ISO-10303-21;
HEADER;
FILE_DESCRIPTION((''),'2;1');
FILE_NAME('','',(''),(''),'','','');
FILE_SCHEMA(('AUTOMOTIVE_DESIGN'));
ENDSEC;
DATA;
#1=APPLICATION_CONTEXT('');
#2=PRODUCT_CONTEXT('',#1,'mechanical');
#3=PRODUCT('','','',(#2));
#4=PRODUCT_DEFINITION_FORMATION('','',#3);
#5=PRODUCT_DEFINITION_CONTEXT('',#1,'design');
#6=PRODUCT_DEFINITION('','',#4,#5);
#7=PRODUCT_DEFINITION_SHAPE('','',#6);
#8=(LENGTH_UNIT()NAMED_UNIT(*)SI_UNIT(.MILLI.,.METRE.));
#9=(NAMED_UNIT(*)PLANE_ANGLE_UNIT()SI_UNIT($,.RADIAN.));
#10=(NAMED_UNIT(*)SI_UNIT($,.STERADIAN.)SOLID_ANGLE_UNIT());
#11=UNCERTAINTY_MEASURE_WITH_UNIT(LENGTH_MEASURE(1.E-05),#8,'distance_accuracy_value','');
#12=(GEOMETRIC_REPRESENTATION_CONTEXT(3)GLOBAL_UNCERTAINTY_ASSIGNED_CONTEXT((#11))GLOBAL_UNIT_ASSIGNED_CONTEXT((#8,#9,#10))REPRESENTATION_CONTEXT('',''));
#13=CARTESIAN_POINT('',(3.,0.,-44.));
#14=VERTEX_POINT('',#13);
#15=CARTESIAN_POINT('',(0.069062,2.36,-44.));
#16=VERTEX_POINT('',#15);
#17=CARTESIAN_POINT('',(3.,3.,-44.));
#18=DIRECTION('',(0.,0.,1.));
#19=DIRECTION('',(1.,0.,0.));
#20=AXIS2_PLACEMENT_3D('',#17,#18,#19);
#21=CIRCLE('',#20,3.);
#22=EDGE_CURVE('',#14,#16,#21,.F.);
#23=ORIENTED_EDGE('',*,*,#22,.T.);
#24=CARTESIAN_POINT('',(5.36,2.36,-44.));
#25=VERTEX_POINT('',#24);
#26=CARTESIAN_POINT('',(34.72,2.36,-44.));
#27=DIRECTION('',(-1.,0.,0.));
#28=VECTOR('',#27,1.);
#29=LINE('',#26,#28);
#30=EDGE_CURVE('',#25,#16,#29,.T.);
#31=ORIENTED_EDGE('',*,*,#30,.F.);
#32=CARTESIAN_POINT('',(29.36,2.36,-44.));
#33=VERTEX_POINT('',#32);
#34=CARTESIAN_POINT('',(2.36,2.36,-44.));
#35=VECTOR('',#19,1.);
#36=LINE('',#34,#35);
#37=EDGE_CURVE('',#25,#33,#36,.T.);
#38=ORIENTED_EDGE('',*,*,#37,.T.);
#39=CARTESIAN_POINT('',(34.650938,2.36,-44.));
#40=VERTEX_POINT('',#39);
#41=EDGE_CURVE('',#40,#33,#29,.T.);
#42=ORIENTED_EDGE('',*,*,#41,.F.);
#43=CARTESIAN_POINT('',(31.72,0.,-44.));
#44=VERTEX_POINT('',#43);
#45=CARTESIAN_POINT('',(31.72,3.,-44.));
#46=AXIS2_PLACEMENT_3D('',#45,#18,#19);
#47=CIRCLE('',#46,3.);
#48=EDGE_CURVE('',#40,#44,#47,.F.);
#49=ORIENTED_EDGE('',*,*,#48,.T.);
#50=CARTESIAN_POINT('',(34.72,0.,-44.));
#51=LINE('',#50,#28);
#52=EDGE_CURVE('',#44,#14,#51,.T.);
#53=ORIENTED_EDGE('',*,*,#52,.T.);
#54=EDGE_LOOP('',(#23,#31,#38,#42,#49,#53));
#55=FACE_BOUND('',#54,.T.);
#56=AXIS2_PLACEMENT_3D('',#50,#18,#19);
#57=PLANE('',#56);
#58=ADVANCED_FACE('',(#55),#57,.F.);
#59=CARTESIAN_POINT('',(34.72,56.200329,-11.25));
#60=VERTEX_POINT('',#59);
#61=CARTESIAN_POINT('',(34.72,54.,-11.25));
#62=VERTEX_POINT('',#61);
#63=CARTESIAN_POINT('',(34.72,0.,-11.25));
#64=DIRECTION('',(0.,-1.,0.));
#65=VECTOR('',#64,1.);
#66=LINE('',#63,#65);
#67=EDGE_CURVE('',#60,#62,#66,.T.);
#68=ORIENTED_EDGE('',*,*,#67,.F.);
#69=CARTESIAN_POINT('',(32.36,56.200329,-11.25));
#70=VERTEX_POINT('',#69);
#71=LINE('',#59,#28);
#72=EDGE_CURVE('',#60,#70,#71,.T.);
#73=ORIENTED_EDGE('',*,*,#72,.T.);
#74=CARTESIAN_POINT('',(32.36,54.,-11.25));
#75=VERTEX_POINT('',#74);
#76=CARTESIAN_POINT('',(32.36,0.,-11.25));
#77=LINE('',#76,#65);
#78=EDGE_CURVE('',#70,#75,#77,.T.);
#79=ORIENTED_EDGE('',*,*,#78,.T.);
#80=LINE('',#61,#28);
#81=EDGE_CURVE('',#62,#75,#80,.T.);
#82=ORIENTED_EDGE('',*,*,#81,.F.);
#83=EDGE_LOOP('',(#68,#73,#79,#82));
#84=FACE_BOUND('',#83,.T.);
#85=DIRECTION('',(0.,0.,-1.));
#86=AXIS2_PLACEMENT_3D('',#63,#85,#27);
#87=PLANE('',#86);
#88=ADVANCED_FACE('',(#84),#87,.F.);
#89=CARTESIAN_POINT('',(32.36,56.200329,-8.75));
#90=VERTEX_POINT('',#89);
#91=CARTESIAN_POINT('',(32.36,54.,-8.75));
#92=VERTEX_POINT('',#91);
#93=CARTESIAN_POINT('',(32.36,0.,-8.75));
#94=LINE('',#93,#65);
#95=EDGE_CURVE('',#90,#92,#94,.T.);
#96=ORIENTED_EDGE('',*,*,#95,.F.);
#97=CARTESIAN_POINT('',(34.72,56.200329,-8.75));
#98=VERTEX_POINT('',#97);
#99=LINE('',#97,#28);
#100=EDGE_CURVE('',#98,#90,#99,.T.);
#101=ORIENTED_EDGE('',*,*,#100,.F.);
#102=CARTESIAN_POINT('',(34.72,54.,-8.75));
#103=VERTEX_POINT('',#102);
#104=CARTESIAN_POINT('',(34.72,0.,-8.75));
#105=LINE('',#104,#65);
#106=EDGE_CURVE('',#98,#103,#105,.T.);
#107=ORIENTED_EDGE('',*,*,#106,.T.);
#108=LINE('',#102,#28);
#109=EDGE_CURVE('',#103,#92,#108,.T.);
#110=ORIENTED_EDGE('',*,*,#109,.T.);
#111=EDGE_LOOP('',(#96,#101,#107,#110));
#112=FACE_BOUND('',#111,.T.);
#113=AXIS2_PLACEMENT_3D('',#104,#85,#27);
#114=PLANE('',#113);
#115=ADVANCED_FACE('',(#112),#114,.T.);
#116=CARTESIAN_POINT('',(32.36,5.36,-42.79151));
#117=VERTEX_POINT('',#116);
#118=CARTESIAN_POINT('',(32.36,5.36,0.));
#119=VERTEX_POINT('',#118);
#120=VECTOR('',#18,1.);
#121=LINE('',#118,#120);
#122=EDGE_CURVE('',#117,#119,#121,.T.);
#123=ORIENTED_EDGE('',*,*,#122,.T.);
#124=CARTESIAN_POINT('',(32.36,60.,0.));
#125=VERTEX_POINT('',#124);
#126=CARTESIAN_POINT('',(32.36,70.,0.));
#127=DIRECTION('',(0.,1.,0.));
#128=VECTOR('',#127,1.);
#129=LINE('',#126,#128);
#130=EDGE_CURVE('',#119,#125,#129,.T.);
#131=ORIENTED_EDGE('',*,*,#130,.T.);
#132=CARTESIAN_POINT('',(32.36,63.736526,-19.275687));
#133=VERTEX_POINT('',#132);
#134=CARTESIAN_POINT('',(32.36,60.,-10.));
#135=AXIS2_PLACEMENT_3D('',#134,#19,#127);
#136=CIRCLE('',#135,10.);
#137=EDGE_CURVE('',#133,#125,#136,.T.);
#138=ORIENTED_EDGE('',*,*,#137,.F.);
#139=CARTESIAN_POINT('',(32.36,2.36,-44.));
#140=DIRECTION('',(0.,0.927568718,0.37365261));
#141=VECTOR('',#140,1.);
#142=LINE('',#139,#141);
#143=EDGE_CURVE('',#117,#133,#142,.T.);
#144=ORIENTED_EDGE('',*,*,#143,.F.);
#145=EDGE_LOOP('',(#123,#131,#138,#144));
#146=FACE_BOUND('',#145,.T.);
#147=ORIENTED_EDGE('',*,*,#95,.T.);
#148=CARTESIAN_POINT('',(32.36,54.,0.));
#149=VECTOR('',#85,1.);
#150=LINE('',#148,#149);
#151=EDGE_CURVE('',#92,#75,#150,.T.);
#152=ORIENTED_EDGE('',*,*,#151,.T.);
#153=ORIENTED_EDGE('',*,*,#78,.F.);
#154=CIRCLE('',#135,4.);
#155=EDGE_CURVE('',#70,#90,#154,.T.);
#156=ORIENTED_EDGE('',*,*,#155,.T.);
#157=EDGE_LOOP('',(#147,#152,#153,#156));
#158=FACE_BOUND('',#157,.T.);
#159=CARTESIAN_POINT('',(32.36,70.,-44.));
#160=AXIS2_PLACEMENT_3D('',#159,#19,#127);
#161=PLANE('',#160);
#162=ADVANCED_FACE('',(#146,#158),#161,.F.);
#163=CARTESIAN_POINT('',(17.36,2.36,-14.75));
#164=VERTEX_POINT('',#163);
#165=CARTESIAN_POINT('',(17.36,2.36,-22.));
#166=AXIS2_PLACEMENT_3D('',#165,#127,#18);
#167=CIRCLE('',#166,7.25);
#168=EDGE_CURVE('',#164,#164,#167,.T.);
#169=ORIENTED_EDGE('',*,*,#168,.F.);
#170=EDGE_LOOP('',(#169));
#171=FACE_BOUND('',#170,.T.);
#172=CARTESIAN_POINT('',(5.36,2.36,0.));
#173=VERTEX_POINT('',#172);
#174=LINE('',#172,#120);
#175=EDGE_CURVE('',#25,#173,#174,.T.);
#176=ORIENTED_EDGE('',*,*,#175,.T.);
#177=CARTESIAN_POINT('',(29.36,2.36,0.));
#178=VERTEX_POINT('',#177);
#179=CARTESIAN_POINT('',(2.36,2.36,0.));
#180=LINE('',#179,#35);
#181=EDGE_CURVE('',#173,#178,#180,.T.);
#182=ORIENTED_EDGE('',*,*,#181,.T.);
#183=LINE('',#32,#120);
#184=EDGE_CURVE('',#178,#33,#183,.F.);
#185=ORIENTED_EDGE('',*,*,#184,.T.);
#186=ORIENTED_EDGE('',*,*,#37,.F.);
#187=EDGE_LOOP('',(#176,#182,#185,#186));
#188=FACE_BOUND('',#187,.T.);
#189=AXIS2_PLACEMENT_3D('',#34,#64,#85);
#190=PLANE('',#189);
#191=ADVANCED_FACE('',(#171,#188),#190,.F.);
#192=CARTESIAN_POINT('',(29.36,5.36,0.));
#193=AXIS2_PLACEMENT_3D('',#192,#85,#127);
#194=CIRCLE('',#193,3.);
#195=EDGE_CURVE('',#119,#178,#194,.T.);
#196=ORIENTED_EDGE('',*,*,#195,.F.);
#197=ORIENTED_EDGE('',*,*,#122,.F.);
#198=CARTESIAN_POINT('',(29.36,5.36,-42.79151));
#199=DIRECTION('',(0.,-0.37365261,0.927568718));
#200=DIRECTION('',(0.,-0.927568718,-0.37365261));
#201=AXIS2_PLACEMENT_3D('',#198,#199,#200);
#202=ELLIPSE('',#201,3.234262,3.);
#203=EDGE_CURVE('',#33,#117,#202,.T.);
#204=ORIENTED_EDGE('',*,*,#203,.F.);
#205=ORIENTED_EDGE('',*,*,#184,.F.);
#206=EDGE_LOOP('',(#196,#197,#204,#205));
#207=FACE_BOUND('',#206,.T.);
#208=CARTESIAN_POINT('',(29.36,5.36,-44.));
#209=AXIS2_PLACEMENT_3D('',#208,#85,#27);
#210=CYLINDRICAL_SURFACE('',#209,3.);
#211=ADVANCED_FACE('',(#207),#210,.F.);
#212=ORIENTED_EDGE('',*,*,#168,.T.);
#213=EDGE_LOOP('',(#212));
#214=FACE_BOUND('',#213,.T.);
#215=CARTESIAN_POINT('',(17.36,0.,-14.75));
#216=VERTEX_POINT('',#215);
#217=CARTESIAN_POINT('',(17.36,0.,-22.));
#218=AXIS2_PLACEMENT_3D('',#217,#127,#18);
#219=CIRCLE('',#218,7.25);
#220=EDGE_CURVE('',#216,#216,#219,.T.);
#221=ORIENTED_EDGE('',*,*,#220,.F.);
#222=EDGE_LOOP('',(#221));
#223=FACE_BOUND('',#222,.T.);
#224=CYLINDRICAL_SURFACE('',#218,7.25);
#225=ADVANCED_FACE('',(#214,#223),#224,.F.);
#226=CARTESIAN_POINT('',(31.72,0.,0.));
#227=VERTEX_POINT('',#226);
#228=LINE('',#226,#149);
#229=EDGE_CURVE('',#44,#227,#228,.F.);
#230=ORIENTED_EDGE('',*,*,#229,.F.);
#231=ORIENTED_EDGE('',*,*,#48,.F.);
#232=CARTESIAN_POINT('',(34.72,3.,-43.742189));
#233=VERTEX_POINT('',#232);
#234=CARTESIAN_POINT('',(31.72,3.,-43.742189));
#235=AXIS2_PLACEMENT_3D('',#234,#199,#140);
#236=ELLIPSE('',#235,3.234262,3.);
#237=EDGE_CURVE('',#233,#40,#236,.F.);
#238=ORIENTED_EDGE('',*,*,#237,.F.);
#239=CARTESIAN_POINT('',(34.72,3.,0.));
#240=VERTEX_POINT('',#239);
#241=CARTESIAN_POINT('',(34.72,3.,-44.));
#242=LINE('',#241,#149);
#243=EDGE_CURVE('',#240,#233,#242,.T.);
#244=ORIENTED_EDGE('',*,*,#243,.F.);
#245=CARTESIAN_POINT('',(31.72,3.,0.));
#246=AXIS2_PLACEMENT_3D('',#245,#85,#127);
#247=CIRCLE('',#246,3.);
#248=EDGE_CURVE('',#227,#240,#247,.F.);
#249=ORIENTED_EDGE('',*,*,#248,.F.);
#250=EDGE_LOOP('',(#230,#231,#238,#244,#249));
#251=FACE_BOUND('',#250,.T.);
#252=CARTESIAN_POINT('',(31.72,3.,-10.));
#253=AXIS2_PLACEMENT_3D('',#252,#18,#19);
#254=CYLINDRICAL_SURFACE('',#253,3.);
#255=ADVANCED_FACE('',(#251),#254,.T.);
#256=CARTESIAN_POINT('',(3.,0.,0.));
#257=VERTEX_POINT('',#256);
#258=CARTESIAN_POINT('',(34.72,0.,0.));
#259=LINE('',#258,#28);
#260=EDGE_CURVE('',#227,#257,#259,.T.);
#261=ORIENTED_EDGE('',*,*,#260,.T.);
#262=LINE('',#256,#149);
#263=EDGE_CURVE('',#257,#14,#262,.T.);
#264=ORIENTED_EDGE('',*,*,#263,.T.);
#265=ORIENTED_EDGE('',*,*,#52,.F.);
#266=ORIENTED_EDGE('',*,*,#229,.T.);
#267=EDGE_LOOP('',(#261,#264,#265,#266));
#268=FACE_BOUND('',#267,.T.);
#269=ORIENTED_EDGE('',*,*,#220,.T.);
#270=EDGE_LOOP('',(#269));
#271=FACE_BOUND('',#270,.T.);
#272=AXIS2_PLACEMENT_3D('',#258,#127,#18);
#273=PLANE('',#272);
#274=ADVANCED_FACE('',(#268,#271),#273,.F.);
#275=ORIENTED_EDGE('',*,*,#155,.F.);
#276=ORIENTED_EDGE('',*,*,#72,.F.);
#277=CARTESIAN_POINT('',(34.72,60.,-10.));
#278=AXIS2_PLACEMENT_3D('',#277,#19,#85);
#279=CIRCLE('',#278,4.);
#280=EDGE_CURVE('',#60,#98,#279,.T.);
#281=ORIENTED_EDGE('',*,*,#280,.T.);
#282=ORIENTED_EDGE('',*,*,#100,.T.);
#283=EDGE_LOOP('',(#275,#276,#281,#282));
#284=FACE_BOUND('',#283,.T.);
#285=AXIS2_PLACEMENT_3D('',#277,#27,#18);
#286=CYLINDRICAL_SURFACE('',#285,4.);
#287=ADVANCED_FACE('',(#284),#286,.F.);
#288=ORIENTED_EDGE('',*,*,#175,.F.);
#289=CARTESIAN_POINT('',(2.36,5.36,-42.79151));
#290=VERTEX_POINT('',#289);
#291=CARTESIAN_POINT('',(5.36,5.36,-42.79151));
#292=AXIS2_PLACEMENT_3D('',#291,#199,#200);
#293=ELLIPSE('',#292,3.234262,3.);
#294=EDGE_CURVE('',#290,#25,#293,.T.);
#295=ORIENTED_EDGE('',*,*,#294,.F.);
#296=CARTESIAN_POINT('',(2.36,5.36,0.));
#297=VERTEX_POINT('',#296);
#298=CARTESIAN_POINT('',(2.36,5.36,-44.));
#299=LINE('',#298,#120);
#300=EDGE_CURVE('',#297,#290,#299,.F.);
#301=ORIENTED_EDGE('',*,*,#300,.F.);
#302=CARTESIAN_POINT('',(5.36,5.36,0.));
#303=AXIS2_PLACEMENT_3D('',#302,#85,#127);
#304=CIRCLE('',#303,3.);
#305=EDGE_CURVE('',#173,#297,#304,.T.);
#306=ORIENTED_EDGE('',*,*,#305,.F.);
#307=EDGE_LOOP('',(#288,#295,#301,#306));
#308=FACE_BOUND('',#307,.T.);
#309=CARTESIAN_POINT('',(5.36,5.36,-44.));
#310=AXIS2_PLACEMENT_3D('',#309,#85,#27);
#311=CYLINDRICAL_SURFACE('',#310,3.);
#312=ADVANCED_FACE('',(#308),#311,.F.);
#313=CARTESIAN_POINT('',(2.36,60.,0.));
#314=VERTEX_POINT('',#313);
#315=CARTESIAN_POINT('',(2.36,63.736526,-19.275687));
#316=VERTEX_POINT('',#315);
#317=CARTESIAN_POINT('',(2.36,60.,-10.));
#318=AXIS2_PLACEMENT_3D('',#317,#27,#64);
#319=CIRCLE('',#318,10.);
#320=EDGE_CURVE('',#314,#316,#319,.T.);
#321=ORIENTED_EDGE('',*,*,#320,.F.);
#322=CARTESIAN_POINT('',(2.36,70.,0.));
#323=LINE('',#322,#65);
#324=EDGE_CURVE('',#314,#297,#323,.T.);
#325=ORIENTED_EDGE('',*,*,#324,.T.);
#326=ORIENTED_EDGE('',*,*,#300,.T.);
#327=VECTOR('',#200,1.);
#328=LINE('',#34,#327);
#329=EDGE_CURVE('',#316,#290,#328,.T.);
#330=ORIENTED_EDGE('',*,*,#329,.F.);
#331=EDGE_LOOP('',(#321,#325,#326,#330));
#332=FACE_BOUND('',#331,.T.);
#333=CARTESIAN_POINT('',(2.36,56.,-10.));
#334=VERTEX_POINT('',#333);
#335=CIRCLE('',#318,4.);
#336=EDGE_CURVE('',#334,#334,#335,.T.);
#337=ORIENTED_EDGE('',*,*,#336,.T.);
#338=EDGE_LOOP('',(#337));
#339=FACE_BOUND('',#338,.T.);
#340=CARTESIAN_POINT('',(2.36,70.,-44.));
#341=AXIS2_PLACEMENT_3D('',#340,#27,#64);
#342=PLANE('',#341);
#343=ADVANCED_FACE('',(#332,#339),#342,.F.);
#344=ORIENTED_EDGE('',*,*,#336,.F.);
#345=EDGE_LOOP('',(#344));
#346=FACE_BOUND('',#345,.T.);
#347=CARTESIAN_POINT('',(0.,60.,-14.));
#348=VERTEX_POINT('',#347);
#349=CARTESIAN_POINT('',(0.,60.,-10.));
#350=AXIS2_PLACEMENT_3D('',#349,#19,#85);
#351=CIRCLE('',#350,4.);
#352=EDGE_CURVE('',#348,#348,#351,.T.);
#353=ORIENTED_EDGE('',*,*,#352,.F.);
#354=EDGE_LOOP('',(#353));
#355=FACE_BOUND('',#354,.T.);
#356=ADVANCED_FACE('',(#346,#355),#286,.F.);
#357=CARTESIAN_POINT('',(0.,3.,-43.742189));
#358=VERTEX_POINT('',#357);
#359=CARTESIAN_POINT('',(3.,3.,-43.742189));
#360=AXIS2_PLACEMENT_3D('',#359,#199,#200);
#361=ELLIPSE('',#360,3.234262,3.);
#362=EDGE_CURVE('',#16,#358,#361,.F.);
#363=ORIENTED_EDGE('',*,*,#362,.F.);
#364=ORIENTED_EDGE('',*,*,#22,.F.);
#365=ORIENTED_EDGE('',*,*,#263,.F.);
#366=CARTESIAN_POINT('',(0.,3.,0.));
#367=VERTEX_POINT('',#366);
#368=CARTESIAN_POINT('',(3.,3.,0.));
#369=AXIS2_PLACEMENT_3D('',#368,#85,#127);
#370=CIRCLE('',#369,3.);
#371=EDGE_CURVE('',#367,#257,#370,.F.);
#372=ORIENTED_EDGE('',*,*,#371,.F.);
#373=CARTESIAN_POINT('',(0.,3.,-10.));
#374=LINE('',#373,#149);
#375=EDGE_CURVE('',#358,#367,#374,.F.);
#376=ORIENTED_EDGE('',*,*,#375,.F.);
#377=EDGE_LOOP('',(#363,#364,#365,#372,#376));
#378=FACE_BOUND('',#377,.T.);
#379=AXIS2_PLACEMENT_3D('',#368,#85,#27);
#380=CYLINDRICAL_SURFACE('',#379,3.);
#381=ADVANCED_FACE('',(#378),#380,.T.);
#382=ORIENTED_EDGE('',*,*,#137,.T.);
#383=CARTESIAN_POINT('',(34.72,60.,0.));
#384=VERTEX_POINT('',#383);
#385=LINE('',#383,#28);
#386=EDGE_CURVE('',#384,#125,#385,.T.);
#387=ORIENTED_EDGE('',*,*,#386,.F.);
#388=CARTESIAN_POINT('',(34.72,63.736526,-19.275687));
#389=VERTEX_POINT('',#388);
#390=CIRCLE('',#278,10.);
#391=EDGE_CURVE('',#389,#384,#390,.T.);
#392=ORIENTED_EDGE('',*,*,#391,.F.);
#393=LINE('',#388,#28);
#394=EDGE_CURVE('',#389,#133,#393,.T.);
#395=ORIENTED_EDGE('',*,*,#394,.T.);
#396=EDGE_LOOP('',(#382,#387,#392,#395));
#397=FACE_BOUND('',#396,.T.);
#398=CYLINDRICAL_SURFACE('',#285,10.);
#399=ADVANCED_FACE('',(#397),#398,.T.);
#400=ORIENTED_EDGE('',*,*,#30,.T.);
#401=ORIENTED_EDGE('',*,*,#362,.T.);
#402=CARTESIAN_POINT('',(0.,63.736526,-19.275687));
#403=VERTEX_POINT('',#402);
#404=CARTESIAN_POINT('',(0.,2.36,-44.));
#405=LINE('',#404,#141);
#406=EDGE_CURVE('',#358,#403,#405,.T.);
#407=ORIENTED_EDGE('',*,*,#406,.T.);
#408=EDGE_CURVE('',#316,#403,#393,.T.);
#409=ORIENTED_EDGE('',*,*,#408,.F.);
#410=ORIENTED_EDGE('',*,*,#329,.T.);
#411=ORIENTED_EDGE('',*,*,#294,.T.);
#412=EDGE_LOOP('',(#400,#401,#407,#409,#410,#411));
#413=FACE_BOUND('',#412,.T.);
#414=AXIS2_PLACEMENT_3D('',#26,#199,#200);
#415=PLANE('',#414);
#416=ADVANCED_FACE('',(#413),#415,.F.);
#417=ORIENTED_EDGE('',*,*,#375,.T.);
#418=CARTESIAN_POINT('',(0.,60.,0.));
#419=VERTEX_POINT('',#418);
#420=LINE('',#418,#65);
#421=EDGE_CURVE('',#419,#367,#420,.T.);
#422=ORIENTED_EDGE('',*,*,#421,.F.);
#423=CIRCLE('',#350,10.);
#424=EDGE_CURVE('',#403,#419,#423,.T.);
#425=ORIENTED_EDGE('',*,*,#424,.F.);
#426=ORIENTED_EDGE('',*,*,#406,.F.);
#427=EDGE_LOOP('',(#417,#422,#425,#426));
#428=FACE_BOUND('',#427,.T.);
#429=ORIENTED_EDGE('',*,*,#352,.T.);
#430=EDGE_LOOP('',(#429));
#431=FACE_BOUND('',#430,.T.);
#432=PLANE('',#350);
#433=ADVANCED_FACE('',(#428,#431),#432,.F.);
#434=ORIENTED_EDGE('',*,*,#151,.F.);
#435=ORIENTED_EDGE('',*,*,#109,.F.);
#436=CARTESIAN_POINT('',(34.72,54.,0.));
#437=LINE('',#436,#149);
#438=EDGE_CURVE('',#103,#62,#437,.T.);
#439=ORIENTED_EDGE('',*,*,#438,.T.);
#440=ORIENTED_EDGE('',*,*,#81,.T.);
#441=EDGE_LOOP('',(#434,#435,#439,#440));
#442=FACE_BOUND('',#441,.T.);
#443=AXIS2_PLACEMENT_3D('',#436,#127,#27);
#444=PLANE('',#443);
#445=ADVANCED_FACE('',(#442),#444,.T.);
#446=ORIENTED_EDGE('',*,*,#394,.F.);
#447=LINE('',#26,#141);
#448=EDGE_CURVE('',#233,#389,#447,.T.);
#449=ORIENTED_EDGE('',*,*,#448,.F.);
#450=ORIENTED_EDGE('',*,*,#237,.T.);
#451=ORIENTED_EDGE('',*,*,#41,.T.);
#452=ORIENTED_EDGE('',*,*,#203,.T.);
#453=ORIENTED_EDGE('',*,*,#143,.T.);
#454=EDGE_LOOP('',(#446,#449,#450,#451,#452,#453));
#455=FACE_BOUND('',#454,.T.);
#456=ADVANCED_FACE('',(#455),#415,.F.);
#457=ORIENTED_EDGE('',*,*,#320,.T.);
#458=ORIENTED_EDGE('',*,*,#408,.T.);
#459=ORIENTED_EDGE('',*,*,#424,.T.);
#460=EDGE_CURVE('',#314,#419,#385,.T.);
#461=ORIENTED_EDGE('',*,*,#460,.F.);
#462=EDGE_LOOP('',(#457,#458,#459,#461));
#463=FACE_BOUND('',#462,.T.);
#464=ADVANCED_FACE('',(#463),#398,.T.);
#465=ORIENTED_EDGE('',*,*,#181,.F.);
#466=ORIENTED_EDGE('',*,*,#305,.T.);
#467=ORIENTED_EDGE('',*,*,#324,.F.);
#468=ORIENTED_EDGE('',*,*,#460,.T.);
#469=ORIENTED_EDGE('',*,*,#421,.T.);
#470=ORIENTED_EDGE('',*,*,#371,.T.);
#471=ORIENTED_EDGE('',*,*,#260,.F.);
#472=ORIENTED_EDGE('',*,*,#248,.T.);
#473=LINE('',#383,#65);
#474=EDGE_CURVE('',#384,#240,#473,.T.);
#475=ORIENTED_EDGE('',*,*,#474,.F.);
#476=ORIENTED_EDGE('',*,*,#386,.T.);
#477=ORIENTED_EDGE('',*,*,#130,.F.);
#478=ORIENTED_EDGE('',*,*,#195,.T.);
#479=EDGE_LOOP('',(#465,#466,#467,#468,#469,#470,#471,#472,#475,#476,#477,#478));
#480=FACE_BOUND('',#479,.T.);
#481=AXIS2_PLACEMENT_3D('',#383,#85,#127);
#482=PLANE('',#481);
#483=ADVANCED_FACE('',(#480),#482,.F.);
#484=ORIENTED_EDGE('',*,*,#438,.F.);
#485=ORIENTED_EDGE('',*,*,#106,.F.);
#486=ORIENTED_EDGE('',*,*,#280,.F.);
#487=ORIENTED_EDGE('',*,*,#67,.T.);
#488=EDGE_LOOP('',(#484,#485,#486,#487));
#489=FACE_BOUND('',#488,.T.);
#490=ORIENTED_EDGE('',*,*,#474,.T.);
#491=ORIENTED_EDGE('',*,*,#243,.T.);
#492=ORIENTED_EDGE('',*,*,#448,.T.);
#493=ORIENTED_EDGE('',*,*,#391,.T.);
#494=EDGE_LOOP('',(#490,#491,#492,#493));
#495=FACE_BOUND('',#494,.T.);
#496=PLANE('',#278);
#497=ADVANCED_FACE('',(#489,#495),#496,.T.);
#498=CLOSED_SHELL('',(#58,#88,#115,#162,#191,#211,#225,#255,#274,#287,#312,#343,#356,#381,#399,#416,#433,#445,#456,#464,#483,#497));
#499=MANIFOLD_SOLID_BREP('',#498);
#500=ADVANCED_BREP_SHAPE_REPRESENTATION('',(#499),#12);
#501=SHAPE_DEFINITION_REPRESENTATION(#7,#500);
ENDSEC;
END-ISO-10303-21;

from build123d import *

# Parameters (mm, degrees)
CROQUIS1_R              = 4
SALIENTE_EXTRUIR1_DEPTH = 34.72
CROQUIS2_W              = 30
CROQUIS2_H              = 67.64
CORTAR_EXTRUIR1_DEPTH   = 90.67429063
REDONDEO1_R             = 3
CORTAR_EXTRUIR2_DEPTH   = 89.787215296
CROQUIS4_R              = 7.25
CORTAR_EXTRUIR3_DEPTH   = 88.844453439


with BuildPart() as part:
    # Croquis1 → Saliente-Extruir1 (new body)
    with BuildSketch(Plane(origin=(0, 0, 0), x_dir=(0, 0, -1), z_dir=(1, 0, 0))):
        with BuildLine():
            Line((0, 60), (0, 0))
            Line((0, 0), (44, 0))
            Line((44, 0), (44, 2.36))
            Line((44, 2.36), (19.275687183, 63.736526097))
            ThreePointArc((19.275687183, 63.736526097), (8.096959254, 69.817251953), (0, 60))
        make_face()
        with Locations((10, 60)):
            Circle(CROQUIS1_R, mode=Mode.SUBTRACT)
    extrude(amount=SALIENTE_EXTRUIR1_DEPTH)

    # Croquis2 → Cortar-Extruir1 (cut, through all)
    with BuildSketch(Plane.XY):
        with Locations((17.36, 36.18)):
            Rectangle(CROQUIS2_W, CROQUIS2_H)
    extrude(amount=-CORTAR_EXTRUIR1_DEPTH, mode=Mode.SUBTRACT)

    # Redondeo1
    redondeo1_edges = [part.edges().sort_by_distance(p)[0] for p in [
        (34.72, 0, -22),
        (0, 0, -22),
        (32.36, 2.36, -22),
        (2.36, 2.36, -22),
    ]]
    fillet(redondeo1_edges, radius=REDONDEO1_R)

    # Croquis3 → Cortar-Extruir2 (cut, through all)
    with BuildSketch(Plane.ZY.offset(-32.36)):
        with BuildLine():
            Line((-8.75, 54), (-8.75, 56.200328962))
            ThreePointArc((-8.75, 56.200328962), (-10, 56), (-11.25, 56.200328962))
            Line((-11.25, 56.200328962), (-11.25, 54))
            Line((-11.25, 54), (-8.75, 54))
        make_face()
    extrude(amount=-CORTAR_EXTRUIR2_DEPTH, mode=Mode.SUBTRACT)

    # Croquis4 → Cortar-Extruir3 (cut, through all)
    with BuildSketch(Plane(origin=(0, 2.36, 0), x_dir=(1, 0, 0), z_dir=(0, 1, 0))):
        with Locations(Location((17.36, 22, 0), (0, 0, 270))):
            Circle(CROQUIS4_R)
    extrude(amount=-CORTAR_EXTRUIR3_DEPTH, mode=Mode.SUBTRACT)


solid = part.part
